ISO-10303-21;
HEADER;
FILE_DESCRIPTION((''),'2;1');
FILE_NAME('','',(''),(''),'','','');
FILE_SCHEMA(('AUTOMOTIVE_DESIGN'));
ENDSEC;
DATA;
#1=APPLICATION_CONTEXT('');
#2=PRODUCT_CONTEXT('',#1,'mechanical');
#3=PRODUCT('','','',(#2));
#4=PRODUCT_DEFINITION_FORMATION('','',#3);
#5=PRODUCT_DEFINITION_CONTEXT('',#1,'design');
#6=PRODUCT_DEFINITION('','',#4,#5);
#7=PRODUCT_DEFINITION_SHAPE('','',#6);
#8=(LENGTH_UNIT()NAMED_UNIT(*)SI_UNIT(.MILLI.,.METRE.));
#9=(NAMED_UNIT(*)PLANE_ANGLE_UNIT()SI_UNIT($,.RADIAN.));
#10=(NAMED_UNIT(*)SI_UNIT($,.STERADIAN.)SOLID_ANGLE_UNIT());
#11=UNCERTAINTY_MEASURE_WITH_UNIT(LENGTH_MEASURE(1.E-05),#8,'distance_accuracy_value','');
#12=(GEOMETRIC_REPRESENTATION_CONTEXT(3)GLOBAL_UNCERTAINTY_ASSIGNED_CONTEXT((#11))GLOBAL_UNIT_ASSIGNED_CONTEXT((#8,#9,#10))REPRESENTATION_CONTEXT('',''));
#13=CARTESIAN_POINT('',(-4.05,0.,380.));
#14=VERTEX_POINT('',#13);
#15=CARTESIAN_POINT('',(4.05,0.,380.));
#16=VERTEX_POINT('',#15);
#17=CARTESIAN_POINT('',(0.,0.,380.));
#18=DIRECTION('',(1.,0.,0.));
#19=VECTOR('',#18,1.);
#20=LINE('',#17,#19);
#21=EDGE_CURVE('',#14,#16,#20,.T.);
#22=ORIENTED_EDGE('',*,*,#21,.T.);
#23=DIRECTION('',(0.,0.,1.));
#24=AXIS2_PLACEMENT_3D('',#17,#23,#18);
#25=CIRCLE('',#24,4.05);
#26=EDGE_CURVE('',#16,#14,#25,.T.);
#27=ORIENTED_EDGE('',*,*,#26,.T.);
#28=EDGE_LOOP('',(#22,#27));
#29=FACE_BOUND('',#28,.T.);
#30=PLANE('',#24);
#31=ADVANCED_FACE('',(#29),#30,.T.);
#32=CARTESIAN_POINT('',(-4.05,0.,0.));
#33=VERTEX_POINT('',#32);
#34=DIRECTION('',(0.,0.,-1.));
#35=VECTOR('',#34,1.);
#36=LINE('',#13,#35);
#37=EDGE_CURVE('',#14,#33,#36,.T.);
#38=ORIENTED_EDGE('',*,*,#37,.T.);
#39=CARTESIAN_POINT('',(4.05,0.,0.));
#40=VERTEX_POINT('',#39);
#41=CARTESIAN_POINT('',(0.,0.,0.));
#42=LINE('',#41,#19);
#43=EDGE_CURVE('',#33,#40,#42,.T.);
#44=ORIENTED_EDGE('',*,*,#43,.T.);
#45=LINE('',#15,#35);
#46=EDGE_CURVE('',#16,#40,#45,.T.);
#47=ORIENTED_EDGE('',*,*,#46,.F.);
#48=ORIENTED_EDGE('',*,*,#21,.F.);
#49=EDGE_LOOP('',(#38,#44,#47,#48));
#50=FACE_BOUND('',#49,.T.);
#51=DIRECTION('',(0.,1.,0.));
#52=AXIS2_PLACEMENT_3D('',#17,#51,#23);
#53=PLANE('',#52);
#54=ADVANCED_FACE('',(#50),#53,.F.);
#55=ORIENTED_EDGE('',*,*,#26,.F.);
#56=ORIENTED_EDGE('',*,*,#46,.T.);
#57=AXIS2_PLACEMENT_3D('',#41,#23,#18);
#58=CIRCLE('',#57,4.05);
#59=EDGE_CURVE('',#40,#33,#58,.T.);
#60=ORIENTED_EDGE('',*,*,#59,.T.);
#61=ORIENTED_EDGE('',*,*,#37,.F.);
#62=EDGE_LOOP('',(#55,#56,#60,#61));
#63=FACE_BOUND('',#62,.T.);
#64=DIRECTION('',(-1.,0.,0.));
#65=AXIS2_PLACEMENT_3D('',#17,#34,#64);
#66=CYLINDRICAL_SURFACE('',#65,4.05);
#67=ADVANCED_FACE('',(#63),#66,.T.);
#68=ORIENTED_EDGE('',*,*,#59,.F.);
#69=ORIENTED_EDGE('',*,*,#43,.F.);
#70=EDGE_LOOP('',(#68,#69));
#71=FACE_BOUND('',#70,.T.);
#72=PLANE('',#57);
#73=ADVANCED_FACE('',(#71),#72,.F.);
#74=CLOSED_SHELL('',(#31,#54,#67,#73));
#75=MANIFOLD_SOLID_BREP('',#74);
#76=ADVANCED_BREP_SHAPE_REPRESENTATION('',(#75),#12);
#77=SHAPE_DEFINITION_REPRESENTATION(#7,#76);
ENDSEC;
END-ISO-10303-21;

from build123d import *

# Parameters (mm, degrees)
BOSS_EXTRUDE1_DEPTH = 380


with BuildPart() as part:
    # Sketch1 → Boss-Extrude1 (new body)
    with BuildSketch(Plane.XY):
        with BuildLine():
            Line((0, 0), (4.05, 0))
            ThreePointArc((4.05, 0), (0, 4.05), (-4.05, 0))
            Line((-4.05, 0), (0, 0))
        make_face()
    extrude(amount=BOSS_EXTRUDE1_DEPTH)


solid = part.part
